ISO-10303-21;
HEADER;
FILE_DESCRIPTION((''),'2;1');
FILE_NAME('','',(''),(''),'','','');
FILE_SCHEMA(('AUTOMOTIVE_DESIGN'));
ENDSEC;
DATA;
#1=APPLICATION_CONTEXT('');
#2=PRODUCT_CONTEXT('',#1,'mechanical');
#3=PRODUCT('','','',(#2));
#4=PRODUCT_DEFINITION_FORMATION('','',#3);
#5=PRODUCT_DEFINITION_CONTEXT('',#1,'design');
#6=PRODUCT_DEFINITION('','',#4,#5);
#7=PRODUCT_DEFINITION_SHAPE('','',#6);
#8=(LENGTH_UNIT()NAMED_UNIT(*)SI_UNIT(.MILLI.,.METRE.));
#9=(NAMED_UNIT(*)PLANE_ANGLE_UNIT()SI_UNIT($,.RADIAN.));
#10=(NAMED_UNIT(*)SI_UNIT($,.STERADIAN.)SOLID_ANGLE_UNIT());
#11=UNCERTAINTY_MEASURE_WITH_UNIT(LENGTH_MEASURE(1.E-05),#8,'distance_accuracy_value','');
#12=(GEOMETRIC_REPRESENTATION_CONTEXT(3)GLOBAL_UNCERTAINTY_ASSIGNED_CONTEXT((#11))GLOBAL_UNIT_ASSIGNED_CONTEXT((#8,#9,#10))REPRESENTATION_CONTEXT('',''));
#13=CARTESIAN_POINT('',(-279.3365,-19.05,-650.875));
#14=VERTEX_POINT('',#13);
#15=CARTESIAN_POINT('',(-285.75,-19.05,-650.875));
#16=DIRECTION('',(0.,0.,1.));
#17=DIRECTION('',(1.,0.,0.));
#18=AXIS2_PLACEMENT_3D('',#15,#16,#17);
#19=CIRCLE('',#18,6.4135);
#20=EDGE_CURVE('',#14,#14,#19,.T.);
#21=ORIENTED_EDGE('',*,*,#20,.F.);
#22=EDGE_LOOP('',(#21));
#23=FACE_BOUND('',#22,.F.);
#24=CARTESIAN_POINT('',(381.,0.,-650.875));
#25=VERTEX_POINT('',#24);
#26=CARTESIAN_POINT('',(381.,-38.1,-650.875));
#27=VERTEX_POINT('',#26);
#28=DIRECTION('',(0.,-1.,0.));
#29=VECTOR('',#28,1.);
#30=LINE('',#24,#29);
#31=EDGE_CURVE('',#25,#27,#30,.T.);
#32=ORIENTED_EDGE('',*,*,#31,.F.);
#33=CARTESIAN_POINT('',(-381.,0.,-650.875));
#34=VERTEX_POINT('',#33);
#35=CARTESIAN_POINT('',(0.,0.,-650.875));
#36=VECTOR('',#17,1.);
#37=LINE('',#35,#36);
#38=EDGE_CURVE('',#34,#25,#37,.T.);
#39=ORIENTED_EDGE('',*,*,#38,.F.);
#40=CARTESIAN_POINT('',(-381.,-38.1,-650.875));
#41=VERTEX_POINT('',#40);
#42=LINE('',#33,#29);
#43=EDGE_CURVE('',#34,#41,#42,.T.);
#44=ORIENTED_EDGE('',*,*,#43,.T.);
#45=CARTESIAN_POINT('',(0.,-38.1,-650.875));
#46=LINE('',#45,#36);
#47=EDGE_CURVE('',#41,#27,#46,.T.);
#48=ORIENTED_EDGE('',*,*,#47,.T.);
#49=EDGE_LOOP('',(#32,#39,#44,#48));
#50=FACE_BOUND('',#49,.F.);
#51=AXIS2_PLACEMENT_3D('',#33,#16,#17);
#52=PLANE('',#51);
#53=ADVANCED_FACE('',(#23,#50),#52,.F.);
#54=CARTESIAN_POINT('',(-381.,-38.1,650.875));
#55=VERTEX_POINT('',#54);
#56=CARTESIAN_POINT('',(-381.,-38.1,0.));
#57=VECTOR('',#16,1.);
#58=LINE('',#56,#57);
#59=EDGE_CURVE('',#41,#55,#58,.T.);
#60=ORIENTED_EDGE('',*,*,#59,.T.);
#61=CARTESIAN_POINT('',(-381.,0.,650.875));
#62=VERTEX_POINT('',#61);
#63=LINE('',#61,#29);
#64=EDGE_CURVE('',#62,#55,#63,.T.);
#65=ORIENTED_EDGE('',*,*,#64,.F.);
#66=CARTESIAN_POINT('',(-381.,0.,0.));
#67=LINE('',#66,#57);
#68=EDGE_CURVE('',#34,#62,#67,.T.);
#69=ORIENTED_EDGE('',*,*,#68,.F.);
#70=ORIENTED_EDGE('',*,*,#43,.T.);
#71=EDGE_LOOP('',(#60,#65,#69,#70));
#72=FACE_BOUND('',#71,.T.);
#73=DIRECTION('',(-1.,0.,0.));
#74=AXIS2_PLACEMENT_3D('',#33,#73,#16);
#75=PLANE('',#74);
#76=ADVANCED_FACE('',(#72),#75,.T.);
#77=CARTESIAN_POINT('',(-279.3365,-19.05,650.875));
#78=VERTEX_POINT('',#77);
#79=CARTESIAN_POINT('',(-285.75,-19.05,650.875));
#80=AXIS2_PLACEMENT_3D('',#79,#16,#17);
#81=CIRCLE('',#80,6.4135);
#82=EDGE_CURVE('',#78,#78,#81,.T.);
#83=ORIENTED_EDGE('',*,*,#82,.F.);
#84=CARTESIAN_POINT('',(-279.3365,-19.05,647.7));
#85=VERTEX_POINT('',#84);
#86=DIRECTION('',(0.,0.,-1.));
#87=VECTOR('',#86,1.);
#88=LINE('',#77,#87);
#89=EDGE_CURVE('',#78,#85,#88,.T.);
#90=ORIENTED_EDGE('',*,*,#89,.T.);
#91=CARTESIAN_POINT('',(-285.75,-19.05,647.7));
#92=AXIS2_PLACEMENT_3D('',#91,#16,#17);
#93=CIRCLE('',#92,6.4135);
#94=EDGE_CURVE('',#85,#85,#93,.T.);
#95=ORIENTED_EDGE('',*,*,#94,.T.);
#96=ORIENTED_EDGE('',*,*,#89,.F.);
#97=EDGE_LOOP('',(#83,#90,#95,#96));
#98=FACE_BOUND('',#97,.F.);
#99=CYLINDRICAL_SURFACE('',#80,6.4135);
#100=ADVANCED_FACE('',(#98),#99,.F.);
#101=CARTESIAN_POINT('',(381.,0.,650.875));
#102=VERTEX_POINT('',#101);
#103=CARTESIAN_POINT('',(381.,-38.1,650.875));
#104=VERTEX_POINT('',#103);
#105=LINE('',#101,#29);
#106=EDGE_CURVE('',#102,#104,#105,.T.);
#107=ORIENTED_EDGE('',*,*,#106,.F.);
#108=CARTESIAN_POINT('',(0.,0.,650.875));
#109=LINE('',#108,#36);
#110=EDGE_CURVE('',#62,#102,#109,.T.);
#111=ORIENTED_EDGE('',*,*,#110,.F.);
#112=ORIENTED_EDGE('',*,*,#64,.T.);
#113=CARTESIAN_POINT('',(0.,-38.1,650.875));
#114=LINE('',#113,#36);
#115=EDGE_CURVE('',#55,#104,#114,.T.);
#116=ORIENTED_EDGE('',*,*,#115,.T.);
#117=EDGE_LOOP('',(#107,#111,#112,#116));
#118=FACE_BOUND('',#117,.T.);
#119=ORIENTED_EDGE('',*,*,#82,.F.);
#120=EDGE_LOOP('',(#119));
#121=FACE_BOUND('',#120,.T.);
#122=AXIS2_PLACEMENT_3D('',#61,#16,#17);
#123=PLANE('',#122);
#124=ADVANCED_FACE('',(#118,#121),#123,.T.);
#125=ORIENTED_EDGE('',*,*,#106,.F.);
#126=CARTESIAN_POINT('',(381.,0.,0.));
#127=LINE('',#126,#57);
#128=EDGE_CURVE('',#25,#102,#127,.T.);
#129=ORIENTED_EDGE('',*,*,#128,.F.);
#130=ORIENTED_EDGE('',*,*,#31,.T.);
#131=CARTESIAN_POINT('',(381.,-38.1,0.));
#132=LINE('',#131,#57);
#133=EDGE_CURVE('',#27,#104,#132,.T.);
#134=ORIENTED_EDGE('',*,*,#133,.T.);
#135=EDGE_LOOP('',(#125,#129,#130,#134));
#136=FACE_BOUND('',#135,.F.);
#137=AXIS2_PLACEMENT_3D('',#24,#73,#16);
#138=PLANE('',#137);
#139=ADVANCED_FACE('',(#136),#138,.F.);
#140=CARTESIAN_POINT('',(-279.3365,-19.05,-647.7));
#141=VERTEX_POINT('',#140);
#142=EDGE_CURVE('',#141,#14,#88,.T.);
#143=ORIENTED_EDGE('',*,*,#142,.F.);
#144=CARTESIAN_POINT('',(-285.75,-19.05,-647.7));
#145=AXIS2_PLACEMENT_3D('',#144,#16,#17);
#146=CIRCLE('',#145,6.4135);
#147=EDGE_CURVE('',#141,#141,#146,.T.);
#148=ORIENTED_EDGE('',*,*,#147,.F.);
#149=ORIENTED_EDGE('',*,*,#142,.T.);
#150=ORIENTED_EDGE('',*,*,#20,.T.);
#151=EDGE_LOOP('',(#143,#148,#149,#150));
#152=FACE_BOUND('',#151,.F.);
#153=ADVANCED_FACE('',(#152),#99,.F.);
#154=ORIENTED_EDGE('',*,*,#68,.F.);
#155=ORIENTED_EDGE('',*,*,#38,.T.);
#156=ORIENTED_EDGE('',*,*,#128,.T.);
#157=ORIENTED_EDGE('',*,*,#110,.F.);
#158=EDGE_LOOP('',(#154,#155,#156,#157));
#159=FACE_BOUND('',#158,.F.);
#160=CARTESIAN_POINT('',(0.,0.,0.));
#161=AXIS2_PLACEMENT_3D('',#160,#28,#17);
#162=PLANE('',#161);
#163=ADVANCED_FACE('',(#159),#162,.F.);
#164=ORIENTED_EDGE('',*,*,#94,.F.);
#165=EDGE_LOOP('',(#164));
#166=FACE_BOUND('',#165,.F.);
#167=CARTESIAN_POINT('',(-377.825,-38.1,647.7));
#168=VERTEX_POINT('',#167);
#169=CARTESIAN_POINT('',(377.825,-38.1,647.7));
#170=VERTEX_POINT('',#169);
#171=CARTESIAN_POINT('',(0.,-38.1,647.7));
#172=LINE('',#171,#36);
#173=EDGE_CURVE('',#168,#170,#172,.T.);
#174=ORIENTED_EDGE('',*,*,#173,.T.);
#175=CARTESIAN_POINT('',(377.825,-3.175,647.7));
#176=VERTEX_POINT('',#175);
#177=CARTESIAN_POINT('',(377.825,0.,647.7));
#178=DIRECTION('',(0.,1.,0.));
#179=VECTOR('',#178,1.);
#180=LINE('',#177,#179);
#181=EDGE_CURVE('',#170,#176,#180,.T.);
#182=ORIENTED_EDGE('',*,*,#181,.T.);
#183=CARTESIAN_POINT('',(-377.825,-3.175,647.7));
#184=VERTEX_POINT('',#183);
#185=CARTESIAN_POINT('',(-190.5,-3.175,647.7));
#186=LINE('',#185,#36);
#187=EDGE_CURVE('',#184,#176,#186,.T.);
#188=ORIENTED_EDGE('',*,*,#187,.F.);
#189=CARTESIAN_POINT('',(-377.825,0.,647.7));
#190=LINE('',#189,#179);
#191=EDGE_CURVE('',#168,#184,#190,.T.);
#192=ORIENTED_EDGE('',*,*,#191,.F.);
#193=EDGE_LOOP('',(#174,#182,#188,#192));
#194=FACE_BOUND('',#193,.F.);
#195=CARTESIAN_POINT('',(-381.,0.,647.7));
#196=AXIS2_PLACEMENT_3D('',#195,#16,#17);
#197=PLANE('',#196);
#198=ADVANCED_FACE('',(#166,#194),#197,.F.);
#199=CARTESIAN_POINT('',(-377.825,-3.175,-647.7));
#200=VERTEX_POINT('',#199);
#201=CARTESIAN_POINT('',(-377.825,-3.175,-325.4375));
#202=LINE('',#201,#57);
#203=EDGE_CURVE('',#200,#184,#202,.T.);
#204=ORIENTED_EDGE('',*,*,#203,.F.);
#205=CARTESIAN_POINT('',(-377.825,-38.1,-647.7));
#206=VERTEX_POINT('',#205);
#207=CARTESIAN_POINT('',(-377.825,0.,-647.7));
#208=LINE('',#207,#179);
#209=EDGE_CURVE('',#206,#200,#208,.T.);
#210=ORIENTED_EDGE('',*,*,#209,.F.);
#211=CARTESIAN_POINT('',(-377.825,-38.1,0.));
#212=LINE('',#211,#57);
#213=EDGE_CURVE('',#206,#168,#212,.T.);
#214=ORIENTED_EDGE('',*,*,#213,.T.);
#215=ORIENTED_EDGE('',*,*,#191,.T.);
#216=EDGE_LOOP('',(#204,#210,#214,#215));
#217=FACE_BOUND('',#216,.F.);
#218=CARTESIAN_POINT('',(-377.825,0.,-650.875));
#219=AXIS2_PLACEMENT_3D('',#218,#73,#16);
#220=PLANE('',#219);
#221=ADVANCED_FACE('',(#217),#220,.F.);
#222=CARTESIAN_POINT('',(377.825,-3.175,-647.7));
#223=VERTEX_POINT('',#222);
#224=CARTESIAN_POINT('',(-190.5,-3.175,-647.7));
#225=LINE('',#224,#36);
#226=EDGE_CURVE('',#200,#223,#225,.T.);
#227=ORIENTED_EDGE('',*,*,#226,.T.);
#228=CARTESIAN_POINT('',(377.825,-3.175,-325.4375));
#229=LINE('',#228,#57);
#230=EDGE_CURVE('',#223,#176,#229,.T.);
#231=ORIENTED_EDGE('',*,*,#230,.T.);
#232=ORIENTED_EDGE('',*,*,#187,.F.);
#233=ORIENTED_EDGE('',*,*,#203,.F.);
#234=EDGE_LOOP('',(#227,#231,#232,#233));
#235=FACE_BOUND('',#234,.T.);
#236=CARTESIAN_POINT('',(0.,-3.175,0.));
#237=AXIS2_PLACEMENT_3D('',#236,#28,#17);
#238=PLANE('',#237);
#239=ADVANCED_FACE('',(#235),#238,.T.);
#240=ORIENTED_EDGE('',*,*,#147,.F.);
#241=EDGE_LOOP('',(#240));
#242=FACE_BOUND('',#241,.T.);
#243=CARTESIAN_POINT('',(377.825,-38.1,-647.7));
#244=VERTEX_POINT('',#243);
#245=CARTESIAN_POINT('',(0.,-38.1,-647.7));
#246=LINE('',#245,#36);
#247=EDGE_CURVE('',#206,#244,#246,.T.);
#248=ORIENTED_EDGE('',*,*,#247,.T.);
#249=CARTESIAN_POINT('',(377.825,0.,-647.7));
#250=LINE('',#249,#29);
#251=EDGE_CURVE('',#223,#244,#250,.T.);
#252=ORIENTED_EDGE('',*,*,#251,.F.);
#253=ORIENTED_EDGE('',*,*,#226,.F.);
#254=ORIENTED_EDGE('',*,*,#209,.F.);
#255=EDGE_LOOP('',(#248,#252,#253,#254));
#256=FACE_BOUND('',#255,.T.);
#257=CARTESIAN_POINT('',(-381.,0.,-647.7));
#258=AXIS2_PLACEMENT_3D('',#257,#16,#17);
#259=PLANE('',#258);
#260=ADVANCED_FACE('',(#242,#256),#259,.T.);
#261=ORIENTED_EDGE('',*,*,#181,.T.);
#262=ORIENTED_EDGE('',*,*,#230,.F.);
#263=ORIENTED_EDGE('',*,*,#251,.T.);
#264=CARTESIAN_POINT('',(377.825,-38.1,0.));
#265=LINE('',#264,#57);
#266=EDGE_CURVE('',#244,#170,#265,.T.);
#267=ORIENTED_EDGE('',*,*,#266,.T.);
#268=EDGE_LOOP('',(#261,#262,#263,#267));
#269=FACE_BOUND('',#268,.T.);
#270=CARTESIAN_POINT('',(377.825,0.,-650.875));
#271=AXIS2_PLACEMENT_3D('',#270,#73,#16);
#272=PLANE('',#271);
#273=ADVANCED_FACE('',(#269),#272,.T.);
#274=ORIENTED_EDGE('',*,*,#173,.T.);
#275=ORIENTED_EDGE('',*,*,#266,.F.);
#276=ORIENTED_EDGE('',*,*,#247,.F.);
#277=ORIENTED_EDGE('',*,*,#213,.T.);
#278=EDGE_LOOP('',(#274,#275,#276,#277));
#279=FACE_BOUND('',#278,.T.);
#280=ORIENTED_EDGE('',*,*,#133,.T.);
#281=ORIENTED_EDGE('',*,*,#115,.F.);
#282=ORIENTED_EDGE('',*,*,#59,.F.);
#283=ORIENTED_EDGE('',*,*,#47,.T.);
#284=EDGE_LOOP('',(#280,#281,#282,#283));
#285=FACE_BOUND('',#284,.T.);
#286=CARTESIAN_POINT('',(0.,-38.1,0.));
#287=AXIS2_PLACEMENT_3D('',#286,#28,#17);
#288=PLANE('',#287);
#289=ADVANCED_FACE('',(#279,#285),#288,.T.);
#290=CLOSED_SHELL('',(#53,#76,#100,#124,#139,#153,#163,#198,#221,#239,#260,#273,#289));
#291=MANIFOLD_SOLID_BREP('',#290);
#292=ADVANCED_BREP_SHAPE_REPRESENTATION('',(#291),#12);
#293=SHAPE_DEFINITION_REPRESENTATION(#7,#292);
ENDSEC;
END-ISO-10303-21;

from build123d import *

# Parameters (mm, degrees)
F0_W     = 762
F0_H     = 1301.75
F1_DEPTH = 38.1
F2_T     = -3.175
F3_R     = 6.4135
F4_DEPTH = 1301.751


with BuildPart() as f1:
    # F0 (on Front) → F1 (new body)
    with BuildSketch(Plane.XZ):
        Rectangle(F0_W, F0_H)
    extrude(amount=F1_DEPTH)

    # F2
    f2_openings = [f1.faces().sort_by_distance(p)[0] for p in [
        (0, -38.1, 0),
    ]]
    offset(amount=F2_T, openings=f2_openings)

    # F3 (on face) → F4 (cut, through all)
    with BuildSketch(Plane.XY.offset(650.875)):
        with Locations((-285.75, -19.05)):
            Circle(F3_R)
    extrude(amount=-F4_DEPTH, mode=Mode.SUBTRACT)


solid = f1.part
